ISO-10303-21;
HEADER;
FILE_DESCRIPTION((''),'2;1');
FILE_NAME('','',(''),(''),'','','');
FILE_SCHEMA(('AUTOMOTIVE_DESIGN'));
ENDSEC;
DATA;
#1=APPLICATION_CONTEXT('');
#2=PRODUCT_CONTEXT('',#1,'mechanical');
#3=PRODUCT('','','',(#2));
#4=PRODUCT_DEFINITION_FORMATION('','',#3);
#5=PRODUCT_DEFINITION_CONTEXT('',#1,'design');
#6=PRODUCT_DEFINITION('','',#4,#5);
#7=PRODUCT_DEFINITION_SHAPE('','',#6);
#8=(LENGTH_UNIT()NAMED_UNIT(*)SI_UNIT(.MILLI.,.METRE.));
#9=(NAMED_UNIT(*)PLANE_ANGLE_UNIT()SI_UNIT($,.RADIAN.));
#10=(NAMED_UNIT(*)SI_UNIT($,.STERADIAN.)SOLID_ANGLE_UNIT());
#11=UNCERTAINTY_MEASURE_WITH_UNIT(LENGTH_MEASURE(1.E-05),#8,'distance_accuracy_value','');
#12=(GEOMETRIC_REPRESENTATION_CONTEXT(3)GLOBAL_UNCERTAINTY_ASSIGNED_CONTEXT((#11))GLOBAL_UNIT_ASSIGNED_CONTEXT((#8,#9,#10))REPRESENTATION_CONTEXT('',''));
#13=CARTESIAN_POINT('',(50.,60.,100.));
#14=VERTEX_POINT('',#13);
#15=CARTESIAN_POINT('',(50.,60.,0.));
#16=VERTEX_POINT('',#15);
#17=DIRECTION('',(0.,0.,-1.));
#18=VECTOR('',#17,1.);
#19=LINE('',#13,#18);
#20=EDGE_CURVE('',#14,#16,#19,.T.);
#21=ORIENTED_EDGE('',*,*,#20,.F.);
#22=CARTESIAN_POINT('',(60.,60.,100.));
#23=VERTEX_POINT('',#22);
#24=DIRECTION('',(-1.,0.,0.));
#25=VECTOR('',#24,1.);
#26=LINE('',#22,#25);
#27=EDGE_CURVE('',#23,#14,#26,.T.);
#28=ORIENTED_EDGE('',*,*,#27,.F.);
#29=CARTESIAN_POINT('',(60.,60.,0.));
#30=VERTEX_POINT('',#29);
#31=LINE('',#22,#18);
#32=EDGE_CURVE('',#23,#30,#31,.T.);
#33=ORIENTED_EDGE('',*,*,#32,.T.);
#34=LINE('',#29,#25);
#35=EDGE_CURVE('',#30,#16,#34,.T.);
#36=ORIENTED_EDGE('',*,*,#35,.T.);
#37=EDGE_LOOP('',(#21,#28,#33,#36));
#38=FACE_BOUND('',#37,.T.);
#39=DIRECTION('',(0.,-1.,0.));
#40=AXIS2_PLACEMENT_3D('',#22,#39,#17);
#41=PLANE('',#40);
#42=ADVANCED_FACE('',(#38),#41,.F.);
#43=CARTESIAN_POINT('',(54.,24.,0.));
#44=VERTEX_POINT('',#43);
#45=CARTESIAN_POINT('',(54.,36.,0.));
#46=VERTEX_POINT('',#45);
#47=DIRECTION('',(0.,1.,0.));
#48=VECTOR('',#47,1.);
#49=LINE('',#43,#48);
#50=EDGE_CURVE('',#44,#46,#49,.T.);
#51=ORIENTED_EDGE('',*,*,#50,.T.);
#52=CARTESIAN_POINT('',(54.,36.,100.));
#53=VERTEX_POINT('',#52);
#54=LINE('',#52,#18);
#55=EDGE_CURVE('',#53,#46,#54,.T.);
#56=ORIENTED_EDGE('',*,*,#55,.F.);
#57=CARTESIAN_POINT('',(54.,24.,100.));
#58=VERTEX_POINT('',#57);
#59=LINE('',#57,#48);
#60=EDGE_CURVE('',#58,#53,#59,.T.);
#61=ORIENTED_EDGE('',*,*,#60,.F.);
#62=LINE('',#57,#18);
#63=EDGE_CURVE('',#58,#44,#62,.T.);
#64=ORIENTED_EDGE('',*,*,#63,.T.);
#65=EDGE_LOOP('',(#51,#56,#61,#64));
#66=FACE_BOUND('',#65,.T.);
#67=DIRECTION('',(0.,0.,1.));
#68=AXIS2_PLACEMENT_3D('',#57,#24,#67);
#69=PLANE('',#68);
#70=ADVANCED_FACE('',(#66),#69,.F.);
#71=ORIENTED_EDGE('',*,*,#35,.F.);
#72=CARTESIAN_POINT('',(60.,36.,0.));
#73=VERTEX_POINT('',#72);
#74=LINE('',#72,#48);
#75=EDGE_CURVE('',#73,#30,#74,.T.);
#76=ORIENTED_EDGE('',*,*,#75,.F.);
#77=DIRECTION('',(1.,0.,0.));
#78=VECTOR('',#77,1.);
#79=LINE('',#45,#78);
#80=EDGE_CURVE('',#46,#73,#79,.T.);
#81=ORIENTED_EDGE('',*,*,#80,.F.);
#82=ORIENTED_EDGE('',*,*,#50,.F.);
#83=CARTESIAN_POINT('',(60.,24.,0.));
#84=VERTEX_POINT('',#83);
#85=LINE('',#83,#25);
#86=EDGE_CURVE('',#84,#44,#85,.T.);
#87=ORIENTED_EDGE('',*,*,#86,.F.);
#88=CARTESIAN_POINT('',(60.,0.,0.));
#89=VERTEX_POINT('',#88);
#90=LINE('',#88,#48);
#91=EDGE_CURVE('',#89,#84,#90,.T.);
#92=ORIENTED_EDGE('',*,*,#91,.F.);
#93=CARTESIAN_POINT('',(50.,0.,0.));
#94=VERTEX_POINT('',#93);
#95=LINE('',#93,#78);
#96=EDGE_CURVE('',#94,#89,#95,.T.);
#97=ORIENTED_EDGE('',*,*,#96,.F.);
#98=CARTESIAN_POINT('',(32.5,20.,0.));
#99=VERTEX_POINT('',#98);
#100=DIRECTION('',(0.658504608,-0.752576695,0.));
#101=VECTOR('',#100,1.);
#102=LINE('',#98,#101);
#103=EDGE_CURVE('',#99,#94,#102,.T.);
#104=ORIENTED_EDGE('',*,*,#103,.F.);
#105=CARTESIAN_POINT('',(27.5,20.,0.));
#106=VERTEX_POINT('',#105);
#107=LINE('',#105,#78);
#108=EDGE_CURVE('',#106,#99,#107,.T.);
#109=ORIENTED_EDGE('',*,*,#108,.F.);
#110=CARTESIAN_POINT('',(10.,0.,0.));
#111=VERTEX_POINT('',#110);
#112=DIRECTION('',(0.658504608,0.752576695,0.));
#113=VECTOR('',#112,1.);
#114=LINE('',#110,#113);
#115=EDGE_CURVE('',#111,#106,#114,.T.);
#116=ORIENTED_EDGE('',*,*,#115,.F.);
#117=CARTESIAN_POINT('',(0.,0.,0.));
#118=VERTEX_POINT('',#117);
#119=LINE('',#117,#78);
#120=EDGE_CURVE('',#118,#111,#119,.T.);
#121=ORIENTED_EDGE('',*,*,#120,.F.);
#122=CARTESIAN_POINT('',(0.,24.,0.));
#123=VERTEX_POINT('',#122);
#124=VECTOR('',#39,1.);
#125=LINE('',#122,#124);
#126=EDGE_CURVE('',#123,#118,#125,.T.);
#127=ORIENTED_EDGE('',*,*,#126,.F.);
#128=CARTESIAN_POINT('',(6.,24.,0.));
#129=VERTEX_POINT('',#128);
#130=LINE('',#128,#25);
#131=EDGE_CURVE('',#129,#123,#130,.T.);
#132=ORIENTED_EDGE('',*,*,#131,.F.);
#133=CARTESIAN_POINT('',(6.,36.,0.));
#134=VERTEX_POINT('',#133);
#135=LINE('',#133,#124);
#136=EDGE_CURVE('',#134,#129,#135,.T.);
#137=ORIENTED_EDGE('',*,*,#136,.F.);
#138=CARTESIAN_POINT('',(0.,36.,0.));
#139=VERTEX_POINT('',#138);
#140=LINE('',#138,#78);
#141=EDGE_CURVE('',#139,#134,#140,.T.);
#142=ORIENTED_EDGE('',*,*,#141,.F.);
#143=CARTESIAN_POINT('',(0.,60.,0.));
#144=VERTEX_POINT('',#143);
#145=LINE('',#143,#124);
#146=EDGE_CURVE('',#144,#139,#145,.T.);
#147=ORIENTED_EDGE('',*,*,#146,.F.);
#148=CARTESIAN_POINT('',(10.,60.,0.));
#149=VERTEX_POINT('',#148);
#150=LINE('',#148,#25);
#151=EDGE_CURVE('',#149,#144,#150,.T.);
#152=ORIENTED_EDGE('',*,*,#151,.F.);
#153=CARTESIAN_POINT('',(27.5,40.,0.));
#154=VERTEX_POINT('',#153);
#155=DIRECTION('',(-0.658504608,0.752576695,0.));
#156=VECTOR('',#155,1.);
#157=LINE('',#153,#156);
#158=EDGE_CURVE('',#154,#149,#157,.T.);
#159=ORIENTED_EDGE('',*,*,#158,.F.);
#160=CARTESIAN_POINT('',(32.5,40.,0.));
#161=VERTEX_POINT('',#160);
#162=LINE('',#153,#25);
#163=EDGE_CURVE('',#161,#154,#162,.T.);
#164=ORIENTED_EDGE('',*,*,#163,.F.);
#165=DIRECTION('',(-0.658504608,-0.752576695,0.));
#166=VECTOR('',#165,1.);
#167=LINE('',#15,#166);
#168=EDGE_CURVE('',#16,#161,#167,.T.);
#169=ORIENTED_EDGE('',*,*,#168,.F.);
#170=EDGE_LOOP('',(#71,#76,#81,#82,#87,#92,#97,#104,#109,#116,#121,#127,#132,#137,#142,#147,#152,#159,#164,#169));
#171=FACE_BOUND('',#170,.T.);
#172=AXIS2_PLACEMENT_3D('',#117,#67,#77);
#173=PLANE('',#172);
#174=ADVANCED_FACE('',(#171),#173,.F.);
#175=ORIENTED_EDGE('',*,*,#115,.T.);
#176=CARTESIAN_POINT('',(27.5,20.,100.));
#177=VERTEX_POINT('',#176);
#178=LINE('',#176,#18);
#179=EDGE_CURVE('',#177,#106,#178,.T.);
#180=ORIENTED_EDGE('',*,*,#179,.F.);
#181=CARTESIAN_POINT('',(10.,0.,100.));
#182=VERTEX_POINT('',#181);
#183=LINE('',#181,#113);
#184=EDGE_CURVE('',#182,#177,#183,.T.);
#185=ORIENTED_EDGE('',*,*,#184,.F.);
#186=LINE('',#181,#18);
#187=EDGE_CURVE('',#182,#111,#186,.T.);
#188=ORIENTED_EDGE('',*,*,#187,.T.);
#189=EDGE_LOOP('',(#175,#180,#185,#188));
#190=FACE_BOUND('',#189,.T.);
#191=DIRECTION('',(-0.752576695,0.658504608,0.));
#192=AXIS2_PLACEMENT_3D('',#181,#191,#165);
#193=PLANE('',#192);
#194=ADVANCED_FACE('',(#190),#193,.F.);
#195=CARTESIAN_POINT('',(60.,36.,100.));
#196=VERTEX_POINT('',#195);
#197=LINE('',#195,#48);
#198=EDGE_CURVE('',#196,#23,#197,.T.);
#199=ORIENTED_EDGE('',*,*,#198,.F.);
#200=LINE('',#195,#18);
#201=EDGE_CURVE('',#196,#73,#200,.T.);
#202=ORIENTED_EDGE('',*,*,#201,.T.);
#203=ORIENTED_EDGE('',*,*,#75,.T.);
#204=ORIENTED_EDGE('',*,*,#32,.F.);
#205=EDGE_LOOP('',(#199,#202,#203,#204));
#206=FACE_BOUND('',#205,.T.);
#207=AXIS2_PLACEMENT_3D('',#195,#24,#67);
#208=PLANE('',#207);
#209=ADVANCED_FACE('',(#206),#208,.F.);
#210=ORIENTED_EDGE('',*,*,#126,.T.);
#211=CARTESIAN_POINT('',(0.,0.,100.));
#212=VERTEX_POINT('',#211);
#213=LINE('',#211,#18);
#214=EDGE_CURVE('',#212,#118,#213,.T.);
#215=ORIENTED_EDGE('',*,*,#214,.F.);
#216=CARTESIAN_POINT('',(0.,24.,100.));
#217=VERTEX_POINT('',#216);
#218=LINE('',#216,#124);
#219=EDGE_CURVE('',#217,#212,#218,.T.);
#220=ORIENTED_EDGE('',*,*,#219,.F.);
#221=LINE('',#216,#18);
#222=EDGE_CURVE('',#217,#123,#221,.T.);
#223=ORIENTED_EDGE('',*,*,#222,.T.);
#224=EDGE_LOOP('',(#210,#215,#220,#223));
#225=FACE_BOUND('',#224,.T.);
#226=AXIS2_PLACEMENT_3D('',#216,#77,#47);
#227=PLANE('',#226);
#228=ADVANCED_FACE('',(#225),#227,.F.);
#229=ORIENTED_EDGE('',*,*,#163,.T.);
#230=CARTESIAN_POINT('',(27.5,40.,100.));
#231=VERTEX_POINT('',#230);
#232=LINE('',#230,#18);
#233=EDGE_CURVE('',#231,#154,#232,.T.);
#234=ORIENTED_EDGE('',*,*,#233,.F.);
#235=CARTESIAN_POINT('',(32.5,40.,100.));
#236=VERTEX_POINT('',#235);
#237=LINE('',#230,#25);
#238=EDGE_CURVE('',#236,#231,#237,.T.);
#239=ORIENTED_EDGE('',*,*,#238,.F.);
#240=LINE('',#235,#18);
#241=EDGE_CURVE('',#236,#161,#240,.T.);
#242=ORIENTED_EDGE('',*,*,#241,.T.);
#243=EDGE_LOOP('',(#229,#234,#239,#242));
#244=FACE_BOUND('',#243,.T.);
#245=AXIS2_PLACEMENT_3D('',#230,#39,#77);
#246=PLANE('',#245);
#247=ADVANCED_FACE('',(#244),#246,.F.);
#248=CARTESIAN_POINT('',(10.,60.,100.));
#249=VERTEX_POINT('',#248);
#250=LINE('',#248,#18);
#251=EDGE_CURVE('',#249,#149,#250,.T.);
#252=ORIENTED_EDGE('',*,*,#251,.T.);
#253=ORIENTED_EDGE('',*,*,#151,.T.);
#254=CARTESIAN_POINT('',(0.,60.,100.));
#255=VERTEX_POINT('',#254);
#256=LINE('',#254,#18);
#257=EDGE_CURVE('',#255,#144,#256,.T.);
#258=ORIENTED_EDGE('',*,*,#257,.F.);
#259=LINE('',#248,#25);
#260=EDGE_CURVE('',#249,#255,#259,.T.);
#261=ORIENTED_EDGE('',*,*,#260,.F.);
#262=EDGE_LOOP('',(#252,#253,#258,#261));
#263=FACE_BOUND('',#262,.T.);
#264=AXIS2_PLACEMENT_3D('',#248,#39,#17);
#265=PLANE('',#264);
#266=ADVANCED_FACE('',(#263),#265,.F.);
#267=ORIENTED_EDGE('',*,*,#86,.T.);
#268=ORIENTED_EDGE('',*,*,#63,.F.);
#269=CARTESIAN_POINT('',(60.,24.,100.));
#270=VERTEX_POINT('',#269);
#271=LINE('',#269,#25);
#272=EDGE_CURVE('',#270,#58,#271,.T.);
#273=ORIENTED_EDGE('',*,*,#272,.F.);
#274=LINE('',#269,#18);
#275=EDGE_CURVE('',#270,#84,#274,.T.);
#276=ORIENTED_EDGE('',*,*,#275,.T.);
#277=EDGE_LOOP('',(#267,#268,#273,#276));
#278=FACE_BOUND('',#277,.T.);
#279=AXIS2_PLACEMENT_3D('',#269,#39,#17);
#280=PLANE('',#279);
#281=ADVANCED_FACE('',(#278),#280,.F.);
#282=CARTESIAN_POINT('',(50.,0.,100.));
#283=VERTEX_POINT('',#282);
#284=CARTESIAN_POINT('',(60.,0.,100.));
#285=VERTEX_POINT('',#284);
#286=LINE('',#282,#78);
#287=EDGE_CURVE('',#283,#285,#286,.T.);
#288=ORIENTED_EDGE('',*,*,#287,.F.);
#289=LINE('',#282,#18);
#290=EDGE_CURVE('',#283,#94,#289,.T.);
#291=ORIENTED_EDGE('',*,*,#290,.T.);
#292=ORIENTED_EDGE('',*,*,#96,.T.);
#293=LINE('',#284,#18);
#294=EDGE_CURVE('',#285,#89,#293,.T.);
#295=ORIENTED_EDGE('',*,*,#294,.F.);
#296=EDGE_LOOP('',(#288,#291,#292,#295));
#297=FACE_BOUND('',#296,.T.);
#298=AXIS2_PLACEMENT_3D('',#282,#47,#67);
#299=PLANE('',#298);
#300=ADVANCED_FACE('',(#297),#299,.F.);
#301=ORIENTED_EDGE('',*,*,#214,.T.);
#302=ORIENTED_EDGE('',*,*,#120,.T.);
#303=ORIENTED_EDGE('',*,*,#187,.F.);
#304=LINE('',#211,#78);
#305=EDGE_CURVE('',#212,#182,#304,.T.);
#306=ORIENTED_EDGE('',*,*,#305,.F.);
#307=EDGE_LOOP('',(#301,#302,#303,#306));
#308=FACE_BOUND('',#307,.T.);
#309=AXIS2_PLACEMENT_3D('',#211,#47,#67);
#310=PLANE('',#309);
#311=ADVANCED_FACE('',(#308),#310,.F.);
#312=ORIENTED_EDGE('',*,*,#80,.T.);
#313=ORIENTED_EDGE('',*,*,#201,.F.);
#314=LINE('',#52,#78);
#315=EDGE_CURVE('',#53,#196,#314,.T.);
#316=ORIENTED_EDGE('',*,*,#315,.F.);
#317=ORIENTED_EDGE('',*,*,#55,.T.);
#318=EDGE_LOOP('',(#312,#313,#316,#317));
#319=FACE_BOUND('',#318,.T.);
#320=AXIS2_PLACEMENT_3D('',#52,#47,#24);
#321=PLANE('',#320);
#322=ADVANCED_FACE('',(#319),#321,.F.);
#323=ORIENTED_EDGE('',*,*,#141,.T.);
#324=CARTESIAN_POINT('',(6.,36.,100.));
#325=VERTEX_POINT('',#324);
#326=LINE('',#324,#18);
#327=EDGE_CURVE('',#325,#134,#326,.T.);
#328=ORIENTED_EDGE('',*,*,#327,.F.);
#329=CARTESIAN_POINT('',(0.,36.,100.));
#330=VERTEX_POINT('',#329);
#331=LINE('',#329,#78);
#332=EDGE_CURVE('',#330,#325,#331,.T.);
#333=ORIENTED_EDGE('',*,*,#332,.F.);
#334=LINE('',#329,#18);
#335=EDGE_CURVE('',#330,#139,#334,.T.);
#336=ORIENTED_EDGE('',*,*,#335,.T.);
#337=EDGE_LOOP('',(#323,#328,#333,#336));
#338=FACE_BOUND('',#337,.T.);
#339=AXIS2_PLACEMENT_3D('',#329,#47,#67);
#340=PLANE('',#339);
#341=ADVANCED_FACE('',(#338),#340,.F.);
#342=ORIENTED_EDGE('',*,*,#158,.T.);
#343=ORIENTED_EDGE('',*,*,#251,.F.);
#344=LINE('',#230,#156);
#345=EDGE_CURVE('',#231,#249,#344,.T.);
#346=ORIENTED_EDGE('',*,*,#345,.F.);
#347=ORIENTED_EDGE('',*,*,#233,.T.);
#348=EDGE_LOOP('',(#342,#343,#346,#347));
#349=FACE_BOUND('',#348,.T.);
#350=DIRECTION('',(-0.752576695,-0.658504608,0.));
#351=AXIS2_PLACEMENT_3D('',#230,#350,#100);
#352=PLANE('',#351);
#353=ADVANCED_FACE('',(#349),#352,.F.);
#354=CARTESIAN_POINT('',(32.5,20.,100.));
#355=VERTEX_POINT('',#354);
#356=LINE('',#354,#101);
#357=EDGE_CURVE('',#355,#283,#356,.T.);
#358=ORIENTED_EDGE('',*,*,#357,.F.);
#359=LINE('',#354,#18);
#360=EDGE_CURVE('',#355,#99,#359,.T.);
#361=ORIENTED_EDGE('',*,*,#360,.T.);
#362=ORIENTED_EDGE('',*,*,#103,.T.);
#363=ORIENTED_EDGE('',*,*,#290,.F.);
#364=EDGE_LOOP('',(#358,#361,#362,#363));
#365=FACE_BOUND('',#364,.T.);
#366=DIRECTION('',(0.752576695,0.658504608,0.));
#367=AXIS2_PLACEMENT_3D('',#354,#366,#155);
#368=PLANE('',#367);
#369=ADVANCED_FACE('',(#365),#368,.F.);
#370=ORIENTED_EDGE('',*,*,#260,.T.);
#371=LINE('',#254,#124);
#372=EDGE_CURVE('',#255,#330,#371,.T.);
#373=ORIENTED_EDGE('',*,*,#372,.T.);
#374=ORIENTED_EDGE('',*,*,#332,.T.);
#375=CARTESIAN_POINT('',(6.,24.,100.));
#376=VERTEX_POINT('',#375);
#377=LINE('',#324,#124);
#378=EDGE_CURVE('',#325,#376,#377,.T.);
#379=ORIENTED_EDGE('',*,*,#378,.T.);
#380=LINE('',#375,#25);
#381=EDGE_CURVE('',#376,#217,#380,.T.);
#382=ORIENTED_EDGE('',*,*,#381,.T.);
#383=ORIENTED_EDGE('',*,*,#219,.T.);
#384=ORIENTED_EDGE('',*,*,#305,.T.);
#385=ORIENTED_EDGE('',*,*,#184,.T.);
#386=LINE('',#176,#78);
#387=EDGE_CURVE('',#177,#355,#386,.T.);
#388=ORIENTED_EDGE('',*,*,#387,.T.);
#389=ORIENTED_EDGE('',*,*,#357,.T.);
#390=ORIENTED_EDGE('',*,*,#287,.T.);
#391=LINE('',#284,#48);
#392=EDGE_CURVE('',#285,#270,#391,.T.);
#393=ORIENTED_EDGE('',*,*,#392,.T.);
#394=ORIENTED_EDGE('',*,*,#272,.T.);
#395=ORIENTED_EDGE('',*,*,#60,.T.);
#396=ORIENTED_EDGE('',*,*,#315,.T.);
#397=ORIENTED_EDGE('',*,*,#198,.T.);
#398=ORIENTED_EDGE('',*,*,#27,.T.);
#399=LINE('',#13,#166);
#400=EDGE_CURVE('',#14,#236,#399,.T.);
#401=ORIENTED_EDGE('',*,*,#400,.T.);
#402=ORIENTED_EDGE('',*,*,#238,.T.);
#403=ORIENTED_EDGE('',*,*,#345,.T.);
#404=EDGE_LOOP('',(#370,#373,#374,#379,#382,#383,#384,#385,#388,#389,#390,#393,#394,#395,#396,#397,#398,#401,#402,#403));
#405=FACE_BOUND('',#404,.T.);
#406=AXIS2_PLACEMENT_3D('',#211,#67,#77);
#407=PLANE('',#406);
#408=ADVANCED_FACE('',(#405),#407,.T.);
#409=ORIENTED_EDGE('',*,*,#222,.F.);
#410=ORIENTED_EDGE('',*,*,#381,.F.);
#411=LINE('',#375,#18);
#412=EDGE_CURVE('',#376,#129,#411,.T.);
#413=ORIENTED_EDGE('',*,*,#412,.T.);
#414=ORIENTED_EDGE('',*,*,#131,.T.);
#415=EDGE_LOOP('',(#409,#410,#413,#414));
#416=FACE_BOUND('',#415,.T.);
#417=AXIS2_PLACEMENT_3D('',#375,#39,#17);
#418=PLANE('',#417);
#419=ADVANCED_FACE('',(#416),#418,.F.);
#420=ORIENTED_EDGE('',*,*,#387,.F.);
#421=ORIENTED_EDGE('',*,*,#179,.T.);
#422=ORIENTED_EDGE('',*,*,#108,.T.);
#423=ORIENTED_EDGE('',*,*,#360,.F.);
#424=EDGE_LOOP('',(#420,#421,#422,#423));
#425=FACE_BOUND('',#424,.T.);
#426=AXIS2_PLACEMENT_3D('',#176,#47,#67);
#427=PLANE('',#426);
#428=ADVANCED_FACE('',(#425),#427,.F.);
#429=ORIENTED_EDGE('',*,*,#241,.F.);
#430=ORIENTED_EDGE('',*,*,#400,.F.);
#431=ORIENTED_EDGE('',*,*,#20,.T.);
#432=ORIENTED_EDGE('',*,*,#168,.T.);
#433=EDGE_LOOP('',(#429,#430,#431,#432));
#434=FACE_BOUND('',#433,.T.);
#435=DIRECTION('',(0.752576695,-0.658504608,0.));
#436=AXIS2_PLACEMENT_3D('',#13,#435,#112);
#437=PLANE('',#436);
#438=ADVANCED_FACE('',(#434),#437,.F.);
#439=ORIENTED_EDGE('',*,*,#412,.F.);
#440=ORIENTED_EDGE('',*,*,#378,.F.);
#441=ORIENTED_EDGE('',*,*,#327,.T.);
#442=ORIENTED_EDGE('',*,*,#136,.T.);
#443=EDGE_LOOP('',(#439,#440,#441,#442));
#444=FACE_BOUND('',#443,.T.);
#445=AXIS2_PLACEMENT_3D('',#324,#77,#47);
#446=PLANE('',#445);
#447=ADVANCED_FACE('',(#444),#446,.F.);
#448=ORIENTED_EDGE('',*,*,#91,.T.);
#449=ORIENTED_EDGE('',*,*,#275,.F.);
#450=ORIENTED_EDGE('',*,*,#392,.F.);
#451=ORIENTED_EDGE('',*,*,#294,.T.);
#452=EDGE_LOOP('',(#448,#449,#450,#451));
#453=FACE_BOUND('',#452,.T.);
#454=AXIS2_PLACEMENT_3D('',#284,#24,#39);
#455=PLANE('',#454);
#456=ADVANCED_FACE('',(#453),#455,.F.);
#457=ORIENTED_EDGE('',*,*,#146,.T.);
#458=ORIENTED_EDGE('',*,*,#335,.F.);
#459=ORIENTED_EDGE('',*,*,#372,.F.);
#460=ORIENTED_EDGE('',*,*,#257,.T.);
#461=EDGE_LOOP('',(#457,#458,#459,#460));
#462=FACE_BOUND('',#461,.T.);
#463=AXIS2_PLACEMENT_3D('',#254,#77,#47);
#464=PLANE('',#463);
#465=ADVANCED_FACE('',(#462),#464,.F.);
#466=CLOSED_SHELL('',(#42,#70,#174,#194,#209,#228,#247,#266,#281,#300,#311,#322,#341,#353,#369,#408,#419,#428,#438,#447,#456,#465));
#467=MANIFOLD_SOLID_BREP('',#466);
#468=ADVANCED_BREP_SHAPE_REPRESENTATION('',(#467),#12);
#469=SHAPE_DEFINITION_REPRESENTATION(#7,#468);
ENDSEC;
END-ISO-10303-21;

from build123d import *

# Parameters (mm, degrees)
Y_KSEKLIK_EKSTR_ZYON1_DEPTH = 100


with BuildPart() as part:
    # Çizim1 → Yükseklik-Ekstrüzyon1 (new body)
    with BuildSketch(Plane.XY):
        Polygon((0, 0), (10, 0), (27.5, 20), (32.5, 20), (50, 0), (60, 0), (60, 24), (54, 24), (54, 36), (60, 36), (60, 60), (50, 60), (32.5, 40), (27.5, 40), (10, 60), (0, 60), (0, 36), (6, 36), (6, 24), (0, 24), align=None)
    extrude(amount=Y_KSEKLIK_EKSTR_ZYON1_DEPTH)


solid = part.part
